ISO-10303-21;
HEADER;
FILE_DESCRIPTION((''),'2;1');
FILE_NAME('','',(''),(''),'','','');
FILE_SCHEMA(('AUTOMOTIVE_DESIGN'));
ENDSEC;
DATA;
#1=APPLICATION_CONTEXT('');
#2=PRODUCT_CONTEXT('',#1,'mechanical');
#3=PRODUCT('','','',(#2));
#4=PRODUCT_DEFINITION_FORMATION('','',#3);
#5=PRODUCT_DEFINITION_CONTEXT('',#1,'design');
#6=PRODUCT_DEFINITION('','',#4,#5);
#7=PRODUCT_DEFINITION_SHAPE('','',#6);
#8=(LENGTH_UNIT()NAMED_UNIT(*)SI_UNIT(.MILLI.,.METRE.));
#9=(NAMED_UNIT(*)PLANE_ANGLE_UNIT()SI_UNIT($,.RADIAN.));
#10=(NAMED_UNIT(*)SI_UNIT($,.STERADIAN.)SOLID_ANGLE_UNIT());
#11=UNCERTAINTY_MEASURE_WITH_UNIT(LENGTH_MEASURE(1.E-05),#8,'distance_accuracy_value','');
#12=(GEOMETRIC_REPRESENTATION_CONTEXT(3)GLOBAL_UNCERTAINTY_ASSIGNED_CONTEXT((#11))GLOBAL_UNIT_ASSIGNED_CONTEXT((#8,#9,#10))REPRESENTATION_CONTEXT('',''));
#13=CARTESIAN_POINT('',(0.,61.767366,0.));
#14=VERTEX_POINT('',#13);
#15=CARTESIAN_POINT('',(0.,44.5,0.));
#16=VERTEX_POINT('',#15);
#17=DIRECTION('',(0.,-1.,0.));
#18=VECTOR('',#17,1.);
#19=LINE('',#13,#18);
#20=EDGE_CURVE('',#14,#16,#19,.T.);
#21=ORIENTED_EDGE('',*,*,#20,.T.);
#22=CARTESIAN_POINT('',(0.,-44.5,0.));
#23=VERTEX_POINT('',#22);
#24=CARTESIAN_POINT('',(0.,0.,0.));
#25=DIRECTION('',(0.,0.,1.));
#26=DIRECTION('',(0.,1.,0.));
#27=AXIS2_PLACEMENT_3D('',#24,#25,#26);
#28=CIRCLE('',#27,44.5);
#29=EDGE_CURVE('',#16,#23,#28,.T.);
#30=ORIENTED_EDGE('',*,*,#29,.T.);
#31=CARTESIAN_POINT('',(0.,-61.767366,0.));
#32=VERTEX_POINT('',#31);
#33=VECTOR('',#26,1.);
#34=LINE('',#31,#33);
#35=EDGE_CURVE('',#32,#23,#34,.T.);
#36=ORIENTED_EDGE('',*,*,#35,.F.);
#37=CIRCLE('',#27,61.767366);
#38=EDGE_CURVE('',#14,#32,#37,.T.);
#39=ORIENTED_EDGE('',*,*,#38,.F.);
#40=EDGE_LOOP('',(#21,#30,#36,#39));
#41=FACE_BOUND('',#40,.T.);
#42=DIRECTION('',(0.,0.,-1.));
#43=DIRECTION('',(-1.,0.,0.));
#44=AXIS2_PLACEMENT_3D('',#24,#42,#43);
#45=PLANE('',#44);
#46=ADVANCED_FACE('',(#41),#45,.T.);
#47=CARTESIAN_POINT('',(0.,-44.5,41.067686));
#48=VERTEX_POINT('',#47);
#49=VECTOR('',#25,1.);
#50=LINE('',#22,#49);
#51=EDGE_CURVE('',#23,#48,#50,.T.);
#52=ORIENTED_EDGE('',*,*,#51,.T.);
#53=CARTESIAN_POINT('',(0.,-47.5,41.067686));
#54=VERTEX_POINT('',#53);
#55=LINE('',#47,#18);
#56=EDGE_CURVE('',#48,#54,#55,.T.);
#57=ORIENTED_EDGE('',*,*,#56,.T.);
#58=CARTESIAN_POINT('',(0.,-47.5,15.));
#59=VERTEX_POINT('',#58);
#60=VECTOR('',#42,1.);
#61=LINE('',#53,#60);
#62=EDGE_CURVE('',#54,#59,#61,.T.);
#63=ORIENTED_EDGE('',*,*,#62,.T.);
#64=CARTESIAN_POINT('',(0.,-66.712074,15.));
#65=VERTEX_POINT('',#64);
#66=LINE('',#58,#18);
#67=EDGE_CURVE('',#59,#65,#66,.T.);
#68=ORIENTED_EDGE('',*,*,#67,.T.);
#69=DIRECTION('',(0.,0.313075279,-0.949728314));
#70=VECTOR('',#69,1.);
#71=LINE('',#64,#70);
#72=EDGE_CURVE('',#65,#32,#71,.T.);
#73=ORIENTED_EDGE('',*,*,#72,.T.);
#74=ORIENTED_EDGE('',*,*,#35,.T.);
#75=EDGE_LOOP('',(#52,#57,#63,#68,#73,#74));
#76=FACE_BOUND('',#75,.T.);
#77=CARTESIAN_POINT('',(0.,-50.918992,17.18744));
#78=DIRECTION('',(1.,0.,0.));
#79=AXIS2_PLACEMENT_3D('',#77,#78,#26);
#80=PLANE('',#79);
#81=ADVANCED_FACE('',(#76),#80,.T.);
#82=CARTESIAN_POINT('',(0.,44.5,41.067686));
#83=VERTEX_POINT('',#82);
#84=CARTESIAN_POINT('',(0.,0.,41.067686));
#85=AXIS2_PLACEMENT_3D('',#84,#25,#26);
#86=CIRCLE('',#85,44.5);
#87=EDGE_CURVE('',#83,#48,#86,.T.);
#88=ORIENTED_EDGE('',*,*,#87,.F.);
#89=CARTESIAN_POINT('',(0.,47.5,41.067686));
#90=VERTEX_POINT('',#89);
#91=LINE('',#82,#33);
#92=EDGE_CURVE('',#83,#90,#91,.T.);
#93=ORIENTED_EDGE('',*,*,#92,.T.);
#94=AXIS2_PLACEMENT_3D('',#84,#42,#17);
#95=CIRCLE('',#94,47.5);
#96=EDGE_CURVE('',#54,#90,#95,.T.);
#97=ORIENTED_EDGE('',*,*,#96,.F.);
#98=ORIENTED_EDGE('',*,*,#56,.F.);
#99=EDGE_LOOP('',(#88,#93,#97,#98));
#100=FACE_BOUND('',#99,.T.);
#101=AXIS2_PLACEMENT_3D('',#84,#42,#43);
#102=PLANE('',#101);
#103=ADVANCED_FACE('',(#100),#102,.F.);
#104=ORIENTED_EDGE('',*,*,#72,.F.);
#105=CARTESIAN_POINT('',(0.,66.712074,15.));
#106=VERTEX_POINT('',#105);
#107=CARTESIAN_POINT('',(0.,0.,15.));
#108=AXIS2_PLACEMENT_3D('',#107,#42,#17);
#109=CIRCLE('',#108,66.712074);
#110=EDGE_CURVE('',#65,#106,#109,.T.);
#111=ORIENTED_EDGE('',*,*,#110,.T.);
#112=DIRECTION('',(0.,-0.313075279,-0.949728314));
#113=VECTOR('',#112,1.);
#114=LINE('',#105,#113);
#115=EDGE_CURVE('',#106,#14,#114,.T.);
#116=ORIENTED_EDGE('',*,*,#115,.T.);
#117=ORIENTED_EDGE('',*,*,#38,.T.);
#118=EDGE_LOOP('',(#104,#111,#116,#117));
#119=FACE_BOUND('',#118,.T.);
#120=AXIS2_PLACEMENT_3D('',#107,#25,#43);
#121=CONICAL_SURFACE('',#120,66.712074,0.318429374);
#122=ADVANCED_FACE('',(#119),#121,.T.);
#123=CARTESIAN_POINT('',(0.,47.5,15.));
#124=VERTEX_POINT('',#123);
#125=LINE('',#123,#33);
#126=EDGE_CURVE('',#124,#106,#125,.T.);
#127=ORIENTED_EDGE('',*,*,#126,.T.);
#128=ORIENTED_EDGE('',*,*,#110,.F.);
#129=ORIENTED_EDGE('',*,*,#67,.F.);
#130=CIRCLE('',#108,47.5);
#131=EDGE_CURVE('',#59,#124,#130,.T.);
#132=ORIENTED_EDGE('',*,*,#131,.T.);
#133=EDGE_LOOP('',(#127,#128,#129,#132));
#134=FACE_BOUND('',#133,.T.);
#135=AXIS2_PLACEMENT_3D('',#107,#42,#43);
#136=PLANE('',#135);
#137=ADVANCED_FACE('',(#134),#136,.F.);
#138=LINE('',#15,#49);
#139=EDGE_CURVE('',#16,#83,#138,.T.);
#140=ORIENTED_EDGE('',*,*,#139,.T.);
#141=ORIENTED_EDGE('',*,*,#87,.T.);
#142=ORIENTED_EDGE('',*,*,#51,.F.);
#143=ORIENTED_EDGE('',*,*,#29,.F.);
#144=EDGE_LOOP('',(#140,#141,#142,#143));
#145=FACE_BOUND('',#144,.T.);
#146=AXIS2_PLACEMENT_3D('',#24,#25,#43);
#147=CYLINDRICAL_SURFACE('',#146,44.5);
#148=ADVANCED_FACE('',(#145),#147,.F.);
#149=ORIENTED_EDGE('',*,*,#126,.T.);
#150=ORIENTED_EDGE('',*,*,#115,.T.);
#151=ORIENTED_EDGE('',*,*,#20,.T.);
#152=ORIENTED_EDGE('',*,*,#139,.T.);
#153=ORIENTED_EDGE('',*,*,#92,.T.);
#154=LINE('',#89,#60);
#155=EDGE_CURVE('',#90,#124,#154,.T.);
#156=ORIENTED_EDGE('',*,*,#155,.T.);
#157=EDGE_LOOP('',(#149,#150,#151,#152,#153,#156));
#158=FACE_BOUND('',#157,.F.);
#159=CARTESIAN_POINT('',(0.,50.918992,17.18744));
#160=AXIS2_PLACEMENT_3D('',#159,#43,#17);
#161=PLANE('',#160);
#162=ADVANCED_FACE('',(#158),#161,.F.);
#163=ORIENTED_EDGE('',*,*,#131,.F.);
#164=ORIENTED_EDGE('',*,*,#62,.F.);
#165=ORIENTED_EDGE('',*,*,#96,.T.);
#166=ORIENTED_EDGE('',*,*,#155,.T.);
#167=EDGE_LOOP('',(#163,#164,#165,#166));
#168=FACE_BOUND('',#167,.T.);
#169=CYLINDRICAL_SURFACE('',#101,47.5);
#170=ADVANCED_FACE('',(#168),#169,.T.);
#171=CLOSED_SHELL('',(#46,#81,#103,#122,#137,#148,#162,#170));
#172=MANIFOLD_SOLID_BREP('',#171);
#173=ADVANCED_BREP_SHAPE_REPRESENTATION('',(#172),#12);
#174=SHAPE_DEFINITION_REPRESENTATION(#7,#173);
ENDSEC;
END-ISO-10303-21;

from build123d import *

# Parameters (mm, degrees)
F1_ANGLE = 180


with BuildPart() as f1:
    # F0 (on Front) → F1 (revolve, symmetric)
    with BuildSketch(Plane.XZ) as f1_sk:
        Polygon((-66.712074, 15), (-61.767366, 0), (-44.5, 0), (-44.5, 41.067686), (-47.5, 41.067686), (-47.5, 15), align=None)
    revolve(axis=Axis((0, 0, 45.255795), (0, 0, 1)), revolution_arc=F1_ANGLE / 2)
    revolve(f1_sk.sketch, axis=Axis((0, 0, 45.255795), (0, 0, -1)), revolution_arc=F1_ANGLE / 2)


solid = f1.part
